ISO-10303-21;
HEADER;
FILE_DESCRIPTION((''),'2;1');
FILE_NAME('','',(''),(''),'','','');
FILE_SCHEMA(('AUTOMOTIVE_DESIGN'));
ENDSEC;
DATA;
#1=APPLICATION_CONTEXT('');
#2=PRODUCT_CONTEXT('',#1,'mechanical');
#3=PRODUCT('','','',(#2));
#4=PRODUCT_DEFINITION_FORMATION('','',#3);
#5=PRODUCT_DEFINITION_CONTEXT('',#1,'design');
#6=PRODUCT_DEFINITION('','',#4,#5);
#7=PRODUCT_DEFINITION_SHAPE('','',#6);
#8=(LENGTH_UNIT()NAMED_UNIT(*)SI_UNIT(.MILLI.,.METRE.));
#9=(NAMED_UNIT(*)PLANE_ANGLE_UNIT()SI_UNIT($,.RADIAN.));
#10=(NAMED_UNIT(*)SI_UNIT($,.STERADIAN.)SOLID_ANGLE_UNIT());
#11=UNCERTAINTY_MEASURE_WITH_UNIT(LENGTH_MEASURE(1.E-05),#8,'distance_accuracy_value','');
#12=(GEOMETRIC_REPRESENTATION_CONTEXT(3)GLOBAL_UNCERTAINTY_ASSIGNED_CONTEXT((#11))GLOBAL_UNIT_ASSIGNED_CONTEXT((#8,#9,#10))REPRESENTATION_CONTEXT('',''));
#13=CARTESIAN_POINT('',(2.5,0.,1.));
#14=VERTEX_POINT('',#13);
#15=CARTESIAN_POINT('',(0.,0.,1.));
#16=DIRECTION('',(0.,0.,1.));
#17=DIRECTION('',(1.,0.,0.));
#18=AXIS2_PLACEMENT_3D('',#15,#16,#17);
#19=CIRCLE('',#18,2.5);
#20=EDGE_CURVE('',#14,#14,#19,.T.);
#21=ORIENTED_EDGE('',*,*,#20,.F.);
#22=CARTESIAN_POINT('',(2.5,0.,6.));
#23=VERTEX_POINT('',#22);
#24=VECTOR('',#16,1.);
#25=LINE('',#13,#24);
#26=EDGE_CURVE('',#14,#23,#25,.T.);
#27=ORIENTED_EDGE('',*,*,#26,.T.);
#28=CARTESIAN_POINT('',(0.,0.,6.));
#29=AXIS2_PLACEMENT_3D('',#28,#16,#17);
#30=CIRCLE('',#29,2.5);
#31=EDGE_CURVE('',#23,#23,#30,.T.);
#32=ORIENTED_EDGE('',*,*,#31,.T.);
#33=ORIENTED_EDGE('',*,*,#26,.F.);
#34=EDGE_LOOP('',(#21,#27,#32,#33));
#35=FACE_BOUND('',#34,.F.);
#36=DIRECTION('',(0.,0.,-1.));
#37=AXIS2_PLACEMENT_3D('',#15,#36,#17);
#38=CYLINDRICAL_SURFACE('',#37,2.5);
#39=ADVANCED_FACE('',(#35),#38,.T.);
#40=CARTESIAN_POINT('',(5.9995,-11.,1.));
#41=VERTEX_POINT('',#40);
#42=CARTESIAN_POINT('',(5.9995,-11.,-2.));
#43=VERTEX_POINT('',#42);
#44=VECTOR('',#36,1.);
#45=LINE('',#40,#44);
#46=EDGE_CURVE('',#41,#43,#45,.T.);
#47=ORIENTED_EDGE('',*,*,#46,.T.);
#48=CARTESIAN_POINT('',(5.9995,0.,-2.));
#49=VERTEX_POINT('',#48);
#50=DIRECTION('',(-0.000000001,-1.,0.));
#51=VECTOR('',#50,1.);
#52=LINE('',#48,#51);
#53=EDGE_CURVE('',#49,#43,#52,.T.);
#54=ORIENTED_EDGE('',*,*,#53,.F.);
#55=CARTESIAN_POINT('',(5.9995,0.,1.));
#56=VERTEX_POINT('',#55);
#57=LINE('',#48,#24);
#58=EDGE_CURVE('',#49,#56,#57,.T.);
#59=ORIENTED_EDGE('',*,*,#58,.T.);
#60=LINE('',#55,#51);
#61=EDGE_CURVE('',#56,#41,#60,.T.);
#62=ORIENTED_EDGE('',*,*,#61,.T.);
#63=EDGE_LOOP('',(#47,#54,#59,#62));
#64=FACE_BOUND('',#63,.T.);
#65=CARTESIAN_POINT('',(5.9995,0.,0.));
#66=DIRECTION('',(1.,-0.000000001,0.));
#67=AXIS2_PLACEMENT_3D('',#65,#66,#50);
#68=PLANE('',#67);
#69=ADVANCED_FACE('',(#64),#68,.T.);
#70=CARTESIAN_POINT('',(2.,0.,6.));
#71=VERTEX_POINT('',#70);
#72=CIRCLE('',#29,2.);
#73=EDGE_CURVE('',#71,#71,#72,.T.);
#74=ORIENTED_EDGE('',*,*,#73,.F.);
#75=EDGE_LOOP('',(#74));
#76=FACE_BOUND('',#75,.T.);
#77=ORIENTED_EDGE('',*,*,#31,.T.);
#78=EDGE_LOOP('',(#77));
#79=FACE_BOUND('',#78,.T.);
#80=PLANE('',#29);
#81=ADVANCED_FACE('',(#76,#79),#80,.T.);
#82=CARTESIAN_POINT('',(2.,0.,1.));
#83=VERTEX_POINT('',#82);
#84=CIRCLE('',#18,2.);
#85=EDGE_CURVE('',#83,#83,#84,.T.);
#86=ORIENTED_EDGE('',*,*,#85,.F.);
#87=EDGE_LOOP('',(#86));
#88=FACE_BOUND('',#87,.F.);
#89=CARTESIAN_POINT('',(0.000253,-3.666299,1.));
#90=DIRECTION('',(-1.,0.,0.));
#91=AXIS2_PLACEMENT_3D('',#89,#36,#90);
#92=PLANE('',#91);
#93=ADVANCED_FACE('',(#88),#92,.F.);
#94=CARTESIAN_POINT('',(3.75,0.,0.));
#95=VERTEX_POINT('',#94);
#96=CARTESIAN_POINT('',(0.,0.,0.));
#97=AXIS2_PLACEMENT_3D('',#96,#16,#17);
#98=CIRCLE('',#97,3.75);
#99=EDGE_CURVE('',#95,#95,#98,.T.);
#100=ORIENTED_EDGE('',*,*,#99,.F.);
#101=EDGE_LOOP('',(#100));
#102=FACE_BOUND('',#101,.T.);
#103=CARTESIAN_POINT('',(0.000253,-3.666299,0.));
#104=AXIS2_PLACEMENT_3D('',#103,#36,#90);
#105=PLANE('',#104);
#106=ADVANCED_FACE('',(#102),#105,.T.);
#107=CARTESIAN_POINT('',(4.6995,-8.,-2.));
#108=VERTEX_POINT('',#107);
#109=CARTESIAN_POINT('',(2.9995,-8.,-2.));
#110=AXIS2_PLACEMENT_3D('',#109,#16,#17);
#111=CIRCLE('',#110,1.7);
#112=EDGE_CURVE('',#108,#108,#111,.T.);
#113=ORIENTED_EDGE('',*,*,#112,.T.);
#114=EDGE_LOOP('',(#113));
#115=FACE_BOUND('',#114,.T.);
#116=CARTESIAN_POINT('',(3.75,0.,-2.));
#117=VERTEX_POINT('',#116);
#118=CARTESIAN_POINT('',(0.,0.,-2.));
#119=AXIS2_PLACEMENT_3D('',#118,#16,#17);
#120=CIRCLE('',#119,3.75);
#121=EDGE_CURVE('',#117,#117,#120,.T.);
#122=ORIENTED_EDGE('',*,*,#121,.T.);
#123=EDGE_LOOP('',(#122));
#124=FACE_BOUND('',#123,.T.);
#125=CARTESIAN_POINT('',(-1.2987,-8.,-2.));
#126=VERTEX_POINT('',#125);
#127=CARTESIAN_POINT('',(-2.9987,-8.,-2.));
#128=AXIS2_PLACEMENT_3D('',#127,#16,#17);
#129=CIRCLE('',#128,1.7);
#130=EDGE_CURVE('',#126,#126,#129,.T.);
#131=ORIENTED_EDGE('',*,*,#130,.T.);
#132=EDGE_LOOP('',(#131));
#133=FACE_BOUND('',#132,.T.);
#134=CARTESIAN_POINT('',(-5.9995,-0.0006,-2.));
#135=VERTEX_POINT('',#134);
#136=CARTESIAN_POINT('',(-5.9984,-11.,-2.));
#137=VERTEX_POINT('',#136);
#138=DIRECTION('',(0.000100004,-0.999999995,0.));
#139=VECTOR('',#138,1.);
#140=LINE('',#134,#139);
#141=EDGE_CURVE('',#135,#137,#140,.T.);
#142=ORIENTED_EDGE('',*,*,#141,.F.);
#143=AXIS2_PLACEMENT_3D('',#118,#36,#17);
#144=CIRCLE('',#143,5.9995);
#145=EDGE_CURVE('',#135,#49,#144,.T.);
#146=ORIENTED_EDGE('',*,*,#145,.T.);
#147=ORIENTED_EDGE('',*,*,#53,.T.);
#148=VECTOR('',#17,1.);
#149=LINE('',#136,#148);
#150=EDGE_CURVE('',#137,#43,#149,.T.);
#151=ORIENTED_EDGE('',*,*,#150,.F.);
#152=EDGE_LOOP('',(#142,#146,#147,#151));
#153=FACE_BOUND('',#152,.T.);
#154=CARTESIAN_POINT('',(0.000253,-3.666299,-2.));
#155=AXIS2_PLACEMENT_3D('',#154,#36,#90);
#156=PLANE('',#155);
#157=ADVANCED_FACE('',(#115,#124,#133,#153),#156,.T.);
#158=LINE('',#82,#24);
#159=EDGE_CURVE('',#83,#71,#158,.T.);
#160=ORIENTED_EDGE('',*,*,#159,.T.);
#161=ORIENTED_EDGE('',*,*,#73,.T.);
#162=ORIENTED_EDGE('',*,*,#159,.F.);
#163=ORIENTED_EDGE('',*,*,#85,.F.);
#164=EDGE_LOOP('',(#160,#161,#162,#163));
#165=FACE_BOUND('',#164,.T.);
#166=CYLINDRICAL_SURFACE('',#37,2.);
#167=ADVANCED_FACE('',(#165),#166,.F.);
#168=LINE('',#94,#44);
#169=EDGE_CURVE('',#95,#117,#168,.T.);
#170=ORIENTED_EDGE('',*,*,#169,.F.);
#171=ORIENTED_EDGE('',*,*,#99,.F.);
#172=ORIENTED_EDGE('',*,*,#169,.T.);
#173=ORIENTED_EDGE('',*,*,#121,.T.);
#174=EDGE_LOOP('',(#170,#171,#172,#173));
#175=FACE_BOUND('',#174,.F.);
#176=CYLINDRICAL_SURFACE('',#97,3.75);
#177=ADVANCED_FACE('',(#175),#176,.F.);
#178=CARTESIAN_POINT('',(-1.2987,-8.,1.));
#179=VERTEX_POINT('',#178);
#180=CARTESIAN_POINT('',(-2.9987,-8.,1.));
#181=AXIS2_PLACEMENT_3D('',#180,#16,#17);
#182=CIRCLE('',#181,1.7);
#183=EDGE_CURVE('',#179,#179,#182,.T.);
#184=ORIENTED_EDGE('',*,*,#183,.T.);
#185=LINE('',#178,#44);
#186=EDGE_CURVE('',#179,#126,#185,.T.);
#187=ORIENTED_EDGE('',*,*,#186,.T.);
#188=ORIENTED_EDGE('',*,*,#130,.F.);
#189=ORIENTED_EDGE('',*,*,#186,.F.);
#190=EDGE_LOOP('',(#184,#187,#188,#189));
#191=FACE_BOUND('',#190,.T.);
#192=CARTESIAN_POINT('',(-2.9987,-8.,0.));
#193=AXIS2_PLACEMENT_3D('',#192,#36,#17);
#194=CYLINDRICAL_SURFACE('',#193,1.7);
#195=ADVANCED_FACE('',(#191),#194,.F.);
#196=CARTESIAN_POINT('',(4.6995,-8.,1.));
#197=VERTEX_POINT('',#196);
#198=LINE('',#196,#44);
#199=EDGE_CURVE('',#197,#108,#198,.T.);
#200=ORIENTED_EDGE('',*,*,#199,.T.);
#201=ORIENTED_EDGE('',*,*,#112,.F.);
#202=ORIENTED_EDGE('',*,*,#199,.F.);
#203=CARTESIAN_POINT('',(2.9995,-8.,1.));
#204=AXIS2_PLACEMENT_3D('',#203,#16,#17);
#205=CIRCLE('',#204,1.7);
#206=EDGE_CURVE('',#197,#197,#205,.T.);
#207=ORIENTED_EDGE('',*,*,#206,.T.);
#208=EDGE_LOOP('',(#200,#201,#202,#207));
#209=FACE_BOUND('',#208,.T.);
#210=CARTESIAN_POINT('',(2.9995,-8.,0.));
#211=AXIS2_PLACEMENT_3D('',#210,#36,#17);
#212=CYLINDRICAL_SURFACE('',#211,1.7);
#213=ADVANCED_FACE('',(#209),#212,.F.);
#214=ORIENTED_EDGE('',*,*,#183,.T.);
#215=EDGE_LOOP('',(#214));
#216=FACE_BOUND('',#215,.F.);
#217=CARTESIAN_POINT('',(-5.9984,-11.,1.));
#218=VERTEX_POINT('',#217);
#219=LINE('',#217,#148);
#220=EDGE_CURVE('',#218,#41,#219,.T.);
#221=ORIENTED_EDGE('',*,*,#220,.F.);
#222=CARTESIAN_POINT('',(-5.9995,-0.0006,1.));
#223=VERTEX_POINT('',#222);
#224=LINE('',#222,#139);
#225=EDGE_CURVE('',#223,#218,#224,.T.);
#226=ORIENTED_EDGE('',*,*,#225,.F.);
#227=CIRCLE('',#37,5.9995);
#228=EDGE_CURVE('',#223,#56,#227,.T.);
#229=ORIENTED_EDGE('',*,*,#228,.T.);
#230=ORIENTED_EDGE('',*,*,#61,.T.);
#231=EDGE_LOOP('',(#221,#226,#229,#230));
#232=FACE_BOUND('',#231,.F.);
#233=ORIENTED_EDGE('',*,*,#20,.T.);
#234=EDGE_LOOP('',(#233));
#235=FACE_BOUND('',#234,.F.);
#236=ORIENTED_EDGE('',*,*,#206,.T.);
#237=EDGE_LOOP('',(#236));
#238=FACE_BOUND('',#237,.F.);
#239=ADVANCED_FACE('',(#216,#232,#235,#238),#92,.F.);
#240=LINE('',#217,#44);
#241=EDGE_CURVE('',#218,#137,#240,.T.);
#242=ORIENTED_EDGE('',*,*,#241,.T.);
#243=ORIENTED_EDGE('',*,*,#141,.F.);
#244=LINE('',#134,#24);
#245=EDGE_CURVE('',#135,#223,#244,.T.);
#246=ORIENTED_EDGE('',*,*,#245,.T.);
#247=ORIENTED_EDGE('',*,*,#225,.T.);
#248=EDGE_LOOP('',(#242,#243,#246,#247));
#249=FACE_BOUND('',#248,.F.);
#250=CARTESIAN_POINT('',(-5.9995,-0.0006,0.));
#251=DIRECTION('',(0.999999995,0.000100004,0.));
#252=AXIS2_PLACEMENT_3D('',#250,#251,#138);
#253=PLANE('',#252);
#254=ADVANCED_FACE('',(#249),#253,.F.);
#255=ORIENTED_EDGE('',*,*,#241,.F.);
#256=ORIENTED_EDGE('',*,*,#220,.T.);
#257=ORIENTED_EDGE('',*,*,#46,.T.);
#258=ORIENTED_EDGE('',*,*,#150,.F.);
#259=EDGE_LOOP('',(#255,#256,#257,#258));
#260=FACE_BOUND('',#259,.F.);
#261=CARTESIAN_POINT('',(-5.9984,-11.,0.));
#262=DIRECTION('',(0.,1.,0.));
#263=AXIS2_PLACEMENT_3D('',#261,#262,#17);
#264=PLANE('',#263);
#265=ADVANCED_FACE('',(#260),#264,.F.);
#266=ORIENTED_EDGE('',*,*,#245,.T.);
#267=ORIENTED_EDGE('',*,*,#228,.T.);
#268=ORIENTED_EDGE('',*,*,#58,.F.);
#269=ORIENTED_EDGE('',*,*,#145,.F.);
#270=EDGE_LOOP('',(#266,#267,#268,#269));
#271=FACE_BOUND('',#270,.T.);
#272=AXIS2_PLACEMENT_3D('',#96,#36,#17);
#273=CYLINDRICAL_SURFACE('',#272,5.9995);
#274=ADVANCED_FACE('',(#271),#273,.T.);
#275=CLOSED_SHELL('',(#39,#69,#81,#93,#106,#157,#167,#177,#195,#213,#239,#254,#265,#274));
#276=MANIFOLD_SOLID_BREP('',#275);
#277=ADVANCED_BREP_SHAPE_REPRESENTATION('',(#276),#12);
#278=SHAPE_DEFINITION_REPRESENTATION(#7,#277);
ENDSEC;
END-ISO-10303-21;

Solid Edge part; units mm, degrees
sketch "Sketch1" plane through (0, 0, 0) normal (0, 0, 1) x (1, 0, 0)
  line L0 (5.9995, 0) -> (5.9995, -11)
  line L1 (-5.9984, -11) -> (5.9995, -11)
  line L2 (-5.9995, -0.0006) -> (-5.9984, -11)
  arc A0 (-5.9995, -0.0006) -> (5.9995, 0) centre (0, 0) cw
  circle A1 centre (-2.9987, -8) radius 1.7
  circle A2 centre (2.9995, -8) radius 1.7
extrude "Protrusion1" add sketch "Sketch1" along normal blind 1
sketch "Sketch2" plane through (0, 0, 0) normal (0, 0, 1) x (1, 0, 0)
  line L0 (5.9995, 0) -> (5.9995, -11)
  line L1 (-5.9984, -11) -> (5.9995, -11)
  line L2 (-5.9995, -0.0006) -> (-5.9984, -11)
  arc A0 (-5.9995, -0.0006) -> (5.9995, 0) centre (0, 0) cw
  circle A1 centre (0, 0) radius 3.75
  circle A2 centre (2.9995, -8) radius 1.7
  circle A3 centre (-2.9987, -8) radius 1.7
extrude "ExtrudedProtrusion_3" add sketch "Sketch2" against normal blind 2
sketch "Sketch3" plane through (0, -2.5002, 1) normal (0, 0, 1) x (1, 0, 0)
  circle A0 centre (0, 2.5002) radius 2.5
  circle A1 centre (0, 2.5002) radius 2
extrude "ExtrudedProtrusion_4" add sketch "Sketch3" along normal blind 5
